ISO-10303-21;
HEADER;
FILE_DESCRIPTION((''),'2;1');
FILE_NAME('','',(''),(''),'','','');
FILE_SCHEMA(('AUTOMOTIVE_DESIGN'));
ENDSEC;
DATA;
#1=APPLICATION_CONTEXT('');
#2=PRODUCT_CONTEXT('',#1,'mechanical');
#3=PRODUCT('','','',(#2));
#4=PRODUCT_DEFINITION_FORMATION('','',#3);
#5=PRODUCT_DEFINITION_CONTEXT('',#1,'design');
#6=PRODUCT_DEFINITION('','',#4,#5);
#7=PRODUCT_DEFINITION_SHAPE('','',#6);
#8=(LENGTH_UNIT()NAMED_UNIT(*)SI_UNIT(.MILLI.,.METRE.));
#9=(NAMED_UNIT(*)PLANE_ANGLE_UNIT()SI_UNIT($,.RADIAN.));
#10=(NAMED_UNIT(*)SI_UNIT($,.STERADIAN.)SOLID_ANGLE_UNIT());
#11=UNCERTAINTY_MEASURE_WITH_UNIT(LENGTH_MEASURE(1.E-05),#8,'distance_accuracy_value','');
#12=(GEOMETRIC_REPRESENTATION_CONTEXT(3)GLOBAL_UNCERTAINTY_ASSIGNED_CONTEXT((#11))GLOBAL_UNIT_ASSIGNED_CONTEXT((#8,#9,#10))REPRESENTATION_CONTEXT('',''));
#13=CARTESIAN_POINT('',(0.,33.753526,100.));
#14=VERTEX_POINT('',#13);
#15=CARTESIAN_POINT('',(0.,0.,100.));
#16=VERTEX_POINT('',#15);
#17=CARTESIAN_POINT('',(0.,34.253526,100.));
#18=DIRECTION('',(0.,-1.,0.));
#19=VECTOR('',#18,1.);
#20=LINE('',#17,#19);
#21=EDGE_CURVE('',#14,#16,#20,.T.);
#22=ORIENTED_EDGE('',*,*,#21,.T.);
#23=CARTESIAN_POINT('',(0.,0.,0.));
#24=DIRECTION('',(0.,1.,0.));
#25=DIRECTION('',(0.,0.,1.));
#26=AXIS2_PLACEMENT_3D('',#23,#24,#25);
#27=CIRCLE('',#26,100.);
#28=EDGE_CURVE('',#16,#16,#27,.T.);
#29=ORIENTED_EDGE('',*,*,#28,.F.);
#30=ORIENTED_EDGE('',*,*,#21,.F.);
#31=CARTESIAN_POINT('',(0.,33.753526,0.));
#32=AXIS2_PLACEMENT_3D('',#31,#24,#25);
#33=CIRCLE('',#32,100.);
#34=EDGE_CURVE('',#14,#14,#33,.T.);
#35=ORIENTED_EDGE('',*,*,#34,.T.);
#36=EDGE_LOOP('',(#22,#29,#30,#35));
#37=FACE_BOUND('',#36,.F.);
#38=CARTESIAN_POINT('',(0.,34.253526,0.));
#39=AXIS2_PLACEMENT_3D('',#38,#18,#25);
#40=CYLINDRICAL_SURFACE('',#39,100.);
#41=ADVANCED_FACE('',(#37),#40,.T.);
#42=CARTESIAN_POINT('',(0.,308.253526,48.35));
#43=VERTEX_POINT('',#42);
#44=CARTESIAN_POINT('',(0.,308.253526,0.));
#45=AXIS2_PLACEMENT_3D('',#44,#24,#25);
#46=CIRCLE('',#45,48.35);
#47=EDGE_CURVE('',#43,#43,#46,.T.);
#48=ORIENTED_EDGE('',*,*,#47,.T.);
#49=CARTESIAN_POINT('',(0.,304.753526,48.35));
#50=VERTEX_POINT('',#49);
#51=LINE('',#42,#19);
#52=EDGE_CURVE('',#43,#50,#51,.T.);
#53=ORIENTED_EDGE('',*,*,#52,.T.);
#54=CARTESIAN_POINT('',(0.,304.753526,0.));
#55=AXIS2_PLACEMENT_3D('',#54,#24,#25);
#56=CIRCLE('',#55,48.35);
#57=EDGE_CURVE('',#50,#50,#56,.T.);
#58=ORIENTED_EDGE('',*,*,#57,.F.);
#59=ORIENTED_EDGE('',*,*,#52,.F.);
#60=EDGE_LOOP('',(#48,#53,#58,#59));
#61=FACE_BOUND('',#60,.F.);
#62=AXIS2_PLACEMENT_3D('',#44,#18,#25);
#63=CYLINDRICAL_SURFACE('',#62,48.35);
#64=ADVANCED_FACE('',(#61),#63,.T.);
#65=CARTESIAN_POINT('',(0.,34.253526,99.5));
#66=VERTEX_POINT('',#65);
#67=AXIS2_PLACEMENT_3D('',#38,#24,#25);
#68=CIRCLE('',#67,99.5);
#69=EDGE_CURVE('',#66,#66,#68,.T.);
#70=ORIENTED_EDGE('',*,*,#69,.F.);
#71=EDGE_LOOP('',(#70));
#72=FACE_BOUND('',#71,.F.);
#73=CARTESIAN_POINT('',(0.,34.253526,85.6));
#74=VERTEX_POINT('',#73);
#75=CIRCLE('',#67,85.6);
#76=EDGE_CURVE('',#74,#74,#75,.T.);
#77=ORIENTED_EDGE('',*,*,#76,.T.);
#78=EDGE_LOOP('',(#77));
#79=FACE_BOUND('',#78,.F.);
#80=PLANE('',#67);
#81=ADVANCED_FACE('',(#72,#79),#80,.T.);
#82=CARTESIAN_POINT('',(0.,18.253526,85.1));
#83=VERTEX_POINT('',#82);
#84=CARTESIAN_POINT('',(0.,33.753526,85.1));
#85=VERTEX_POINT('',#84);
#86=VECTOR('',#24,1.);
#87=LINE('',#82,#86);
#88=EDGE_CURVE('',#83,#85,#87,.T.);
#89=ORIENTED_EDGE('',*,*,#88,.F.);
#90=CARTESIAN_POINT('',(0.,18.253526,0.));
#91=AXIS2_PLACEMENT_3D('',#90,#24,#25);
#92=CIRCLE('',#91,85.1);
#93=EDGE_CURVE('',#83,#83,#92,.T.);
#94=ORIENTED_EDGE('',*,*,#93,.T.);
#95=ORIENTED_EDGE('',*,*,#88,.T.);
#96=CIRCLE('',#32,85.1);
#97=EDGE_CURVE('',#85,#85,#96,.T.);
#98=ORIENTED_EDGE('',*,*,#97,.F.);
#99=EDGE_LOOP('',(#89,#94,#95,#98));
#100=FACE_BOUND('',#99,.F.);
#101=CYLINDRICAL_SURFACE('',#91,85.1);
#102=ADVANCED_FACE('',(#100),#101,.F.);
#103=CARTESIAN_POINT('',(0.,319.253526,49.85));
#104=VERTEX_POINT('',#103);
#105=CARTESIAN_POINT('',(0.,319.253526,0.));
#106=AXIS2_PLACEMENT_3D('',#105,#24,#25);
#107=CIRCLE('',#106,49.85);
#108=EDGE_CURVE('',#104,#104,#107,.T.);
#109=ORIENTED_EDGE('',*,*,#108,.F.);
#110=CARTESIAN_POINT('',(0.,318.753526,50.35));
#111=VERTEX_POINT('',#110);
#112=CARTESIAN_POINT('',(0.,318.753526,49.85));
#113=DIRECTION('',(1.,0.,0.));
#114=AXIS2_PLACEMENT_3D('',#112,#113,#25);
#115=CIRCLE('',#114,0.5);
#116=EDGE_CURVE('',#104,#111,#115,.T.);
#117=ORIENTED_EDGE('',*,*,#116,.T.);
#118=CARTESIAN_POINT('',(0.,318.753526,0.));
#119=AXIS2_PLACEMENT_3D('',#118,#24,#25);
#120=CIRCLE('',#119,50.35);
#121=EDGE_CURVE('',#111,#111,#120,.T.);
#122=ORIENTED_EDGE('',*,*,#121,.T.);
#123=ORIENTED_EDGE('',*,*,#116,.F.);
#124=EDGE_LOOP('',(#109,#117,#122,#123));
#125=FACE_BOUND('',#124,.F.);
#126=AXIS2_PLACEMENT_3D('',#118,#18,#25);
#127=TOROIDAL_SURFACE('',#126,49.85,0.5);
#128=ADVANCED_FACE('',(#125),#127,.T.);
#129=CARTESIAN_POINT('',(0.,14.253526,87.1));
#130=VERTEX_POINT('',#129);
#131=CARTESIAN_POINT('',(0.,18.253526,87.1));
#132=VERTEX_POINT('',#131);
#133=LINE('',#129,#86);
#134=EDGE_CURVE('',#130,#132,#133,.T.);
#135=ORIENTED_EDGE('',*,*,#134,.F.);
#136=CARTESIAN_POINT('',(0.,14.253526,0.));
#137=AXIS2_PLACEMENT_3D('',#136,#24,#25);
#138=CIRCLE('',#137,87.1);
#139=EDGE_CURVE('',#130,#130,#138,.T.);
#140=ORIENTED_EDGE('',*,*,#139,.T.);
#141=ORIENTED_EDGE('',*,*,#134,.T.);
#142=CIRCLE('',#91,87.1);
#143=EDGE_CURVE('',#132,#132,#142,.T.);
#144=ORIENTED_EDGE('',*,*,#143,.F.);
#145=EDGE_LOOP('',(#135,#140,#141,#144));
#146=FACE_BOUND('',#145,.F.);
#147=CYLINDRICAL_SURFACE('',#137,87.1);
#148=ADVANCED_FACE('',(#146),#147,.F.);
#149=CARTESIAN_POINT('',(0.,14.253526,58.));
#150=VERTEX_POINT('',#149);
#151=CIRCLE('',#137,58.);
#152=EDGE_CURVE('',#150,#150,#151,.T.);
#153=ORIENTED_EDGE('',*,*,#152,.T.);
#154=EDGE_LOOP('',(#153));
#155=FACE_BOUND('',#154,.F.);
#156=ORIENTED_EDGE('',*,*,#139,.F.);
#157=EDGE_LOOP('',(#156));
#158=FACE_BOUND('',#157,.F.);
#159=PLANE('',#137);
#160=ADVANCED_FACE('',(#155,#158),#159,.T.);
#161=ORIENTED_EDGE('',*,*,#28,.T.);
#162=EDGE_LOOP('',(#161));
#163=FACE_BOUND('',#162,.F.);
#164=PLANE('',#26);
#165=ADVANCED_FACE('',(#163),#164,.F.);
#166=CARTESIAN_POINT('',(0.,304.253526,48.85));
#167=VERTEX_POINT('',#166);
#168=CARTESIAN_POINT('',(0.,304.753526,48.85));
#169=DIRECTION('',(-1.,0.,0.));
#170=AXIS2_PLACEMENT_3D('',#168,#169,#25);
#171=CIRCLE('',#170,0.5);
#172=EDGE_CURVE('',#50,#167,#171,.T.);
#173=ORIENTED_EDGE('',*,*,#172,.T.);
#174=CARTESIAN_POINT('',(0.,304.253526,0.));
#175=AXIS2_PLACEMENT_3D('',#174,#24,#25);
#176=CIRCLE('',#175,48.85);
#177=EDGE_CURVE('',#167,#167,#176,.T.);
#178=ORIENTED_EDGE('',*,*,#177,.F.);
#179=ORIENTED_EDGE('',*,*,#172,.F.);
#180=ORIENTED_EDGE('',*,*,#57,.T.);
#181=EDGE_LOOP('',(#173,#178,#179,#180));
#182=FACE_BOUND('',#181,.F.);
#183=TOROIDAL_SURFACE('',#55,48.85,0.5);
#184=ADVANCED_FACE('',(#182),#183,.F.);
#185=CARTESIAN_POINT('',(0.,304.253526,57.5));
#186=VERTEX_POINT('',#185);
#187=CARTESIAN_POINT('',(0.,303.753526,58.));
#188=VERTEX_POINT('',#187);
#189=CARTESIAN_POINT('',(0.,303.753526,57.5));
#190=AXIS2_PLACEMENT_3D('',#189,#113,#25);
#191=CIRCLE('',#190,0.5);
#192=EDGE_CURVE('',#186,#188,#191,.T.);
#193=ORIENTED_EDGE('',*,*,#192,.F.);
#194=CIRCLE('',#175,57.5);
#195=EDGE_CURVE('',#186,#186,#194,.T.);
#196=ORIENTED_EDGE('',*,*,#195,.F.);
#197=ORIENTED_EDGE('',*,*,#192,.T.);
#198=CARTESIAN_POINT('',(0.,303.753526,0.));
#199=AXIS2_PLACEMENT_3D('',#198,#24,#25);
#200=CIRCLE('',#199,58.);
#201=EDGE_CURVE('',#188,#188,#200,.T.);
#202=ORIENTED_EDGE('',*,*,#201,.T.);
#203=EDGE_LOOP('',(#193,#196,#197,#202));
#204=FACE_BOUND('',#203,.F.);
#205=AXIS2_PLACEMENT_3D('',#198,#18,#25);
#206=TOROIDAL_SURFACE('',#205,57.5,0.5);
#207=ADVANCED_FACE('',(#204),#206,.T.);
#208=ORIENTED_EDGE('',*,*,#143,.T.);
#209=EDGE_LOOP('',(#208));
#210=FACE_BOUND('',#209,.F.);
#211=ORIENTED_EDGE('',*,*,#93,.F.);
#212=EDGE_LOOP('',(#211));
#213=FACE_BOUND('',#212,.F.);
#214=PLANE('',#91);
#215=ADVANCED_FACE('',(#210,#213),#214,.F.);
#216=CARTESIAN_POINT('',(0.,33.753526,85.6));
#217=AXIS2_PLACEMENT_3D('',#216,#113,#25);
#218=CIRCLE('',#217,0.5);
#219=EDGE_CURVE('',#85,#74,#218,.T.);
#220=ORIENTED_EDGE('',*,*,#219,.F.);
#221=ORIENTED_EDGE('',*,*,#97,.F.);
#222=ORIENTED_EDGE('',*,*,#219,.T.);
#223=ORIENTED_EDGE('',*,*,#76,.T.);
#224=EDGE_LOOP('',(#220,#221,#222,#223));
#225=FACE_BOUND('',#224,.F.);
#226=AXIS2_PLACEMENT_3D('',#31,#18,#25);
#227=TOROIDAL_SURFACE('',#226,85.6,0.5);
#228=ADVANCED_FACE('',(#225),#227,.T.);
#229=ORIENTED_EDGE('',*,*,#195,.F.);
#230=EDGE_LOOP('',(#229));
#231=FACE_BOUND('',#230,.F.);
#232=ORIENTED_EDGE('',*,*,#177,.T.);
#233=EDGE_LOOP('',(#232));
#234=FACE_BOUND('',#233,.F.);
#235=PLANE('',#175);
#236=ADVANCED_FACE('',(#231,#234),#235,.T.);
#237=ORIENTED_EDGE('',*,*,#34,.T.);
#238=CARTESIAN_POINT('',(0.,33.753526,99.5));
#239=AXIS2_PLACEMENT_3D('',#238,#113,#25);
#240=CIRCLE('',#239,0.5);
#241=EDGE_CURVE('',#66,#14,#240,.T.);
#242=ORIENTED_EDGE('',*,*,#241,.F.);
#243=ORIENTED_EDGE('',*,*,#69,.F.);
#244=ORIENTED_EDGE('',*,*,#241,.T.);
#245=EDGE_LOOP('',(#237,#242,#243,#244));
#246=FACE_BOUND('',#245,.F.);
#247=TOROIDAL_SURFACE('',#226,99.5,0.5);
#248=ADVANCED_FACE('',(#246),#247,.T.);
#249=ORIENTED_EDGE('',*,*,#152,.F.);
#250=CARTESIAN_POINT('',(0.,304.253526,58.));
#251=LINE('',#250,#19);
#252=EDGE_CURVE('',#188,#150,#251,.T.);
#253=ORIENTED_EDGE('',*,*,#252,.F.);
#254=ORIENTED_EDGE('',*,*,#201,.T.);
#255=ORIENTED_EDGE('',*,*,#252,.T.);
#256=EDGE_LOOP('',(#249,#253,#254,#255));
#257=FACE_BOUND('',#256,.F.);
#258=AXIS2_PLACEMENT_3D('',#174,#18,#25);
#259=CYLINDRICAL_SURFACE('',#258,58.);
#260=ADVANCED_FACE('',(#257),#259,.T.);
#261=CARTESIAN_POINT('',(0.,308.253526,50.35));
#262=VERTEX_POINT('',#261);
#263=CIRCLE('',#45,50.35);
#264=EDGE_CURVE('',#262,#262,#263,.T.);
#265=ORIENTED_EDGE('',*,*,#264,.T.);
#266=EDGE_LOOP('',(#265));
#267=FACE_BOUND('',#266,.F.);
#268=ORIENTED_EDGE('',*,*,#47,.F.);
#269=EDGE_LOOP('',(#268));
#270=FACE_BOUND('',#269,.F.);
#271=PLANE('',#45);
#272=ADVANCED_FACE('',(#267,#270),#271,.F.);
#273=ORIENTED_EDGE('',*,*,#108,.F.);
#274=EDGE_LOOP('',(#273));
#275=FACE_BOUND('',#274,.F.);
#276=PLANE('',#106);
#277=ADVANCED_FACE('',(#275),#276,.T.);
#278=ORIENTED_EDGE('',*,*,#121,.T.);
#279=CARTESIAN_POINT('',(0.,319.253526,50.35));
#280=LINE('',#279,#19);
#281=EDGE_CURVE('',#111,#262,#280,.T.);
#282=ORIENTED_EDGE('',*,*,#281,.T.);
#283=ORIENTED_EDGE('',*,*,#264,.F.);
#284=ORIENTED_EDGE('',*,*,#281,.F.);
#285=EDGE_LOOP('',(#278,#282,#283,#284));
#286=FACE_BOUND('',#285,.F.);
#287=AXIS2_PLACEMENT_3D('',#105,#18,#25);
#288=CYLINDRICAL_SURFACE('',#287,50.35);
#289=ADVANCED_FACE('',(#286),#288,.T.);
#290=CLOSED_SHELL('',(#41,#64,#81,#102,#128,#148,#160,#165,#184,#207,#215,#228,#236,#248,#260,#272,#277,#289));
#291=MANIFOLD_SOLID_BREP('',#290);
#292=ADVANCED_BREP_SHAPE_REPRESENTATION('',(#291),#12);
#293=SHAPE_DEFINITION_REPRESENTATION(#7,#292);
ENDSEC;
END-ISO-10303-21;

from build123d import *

# Parameters (mm, degrees)
F2_R = 0.5


with BuildPart() as f1:
    # F0 (on Right) → F1 (revolve)
    with BuildSketch(Plane.YZ):
        Polygon((0, 100), (0, 0), (319.253526, 0), (319.253526, 50.35), (308.253526, 50.35), (308.253526, 48.35), (304.253526, 48.35), (304.253526, 58), (14.253526, 58), (14.253526, 87.1), (18.253526, 87.1), (18.253526, 85.1), (34.253526, 85.1), (34.253526, 100), align=None)
    revolve(axis=Axis((0, 159.626763, 0), (0, 1, 0)))

    # F2
    f2_edges = [f1.edges().sort_by_distance(p)[0] for p in [
        (0, 319.253526, -50.35),
        (0, 304.253526, -48.35),
        (0, 304.253526, -58),
        (0, 34.253526, -85.1),
        (0, 34.253526, -100),
    ]]
    fillet(f2_edges, radius=F2_R)


solid = f1.part
